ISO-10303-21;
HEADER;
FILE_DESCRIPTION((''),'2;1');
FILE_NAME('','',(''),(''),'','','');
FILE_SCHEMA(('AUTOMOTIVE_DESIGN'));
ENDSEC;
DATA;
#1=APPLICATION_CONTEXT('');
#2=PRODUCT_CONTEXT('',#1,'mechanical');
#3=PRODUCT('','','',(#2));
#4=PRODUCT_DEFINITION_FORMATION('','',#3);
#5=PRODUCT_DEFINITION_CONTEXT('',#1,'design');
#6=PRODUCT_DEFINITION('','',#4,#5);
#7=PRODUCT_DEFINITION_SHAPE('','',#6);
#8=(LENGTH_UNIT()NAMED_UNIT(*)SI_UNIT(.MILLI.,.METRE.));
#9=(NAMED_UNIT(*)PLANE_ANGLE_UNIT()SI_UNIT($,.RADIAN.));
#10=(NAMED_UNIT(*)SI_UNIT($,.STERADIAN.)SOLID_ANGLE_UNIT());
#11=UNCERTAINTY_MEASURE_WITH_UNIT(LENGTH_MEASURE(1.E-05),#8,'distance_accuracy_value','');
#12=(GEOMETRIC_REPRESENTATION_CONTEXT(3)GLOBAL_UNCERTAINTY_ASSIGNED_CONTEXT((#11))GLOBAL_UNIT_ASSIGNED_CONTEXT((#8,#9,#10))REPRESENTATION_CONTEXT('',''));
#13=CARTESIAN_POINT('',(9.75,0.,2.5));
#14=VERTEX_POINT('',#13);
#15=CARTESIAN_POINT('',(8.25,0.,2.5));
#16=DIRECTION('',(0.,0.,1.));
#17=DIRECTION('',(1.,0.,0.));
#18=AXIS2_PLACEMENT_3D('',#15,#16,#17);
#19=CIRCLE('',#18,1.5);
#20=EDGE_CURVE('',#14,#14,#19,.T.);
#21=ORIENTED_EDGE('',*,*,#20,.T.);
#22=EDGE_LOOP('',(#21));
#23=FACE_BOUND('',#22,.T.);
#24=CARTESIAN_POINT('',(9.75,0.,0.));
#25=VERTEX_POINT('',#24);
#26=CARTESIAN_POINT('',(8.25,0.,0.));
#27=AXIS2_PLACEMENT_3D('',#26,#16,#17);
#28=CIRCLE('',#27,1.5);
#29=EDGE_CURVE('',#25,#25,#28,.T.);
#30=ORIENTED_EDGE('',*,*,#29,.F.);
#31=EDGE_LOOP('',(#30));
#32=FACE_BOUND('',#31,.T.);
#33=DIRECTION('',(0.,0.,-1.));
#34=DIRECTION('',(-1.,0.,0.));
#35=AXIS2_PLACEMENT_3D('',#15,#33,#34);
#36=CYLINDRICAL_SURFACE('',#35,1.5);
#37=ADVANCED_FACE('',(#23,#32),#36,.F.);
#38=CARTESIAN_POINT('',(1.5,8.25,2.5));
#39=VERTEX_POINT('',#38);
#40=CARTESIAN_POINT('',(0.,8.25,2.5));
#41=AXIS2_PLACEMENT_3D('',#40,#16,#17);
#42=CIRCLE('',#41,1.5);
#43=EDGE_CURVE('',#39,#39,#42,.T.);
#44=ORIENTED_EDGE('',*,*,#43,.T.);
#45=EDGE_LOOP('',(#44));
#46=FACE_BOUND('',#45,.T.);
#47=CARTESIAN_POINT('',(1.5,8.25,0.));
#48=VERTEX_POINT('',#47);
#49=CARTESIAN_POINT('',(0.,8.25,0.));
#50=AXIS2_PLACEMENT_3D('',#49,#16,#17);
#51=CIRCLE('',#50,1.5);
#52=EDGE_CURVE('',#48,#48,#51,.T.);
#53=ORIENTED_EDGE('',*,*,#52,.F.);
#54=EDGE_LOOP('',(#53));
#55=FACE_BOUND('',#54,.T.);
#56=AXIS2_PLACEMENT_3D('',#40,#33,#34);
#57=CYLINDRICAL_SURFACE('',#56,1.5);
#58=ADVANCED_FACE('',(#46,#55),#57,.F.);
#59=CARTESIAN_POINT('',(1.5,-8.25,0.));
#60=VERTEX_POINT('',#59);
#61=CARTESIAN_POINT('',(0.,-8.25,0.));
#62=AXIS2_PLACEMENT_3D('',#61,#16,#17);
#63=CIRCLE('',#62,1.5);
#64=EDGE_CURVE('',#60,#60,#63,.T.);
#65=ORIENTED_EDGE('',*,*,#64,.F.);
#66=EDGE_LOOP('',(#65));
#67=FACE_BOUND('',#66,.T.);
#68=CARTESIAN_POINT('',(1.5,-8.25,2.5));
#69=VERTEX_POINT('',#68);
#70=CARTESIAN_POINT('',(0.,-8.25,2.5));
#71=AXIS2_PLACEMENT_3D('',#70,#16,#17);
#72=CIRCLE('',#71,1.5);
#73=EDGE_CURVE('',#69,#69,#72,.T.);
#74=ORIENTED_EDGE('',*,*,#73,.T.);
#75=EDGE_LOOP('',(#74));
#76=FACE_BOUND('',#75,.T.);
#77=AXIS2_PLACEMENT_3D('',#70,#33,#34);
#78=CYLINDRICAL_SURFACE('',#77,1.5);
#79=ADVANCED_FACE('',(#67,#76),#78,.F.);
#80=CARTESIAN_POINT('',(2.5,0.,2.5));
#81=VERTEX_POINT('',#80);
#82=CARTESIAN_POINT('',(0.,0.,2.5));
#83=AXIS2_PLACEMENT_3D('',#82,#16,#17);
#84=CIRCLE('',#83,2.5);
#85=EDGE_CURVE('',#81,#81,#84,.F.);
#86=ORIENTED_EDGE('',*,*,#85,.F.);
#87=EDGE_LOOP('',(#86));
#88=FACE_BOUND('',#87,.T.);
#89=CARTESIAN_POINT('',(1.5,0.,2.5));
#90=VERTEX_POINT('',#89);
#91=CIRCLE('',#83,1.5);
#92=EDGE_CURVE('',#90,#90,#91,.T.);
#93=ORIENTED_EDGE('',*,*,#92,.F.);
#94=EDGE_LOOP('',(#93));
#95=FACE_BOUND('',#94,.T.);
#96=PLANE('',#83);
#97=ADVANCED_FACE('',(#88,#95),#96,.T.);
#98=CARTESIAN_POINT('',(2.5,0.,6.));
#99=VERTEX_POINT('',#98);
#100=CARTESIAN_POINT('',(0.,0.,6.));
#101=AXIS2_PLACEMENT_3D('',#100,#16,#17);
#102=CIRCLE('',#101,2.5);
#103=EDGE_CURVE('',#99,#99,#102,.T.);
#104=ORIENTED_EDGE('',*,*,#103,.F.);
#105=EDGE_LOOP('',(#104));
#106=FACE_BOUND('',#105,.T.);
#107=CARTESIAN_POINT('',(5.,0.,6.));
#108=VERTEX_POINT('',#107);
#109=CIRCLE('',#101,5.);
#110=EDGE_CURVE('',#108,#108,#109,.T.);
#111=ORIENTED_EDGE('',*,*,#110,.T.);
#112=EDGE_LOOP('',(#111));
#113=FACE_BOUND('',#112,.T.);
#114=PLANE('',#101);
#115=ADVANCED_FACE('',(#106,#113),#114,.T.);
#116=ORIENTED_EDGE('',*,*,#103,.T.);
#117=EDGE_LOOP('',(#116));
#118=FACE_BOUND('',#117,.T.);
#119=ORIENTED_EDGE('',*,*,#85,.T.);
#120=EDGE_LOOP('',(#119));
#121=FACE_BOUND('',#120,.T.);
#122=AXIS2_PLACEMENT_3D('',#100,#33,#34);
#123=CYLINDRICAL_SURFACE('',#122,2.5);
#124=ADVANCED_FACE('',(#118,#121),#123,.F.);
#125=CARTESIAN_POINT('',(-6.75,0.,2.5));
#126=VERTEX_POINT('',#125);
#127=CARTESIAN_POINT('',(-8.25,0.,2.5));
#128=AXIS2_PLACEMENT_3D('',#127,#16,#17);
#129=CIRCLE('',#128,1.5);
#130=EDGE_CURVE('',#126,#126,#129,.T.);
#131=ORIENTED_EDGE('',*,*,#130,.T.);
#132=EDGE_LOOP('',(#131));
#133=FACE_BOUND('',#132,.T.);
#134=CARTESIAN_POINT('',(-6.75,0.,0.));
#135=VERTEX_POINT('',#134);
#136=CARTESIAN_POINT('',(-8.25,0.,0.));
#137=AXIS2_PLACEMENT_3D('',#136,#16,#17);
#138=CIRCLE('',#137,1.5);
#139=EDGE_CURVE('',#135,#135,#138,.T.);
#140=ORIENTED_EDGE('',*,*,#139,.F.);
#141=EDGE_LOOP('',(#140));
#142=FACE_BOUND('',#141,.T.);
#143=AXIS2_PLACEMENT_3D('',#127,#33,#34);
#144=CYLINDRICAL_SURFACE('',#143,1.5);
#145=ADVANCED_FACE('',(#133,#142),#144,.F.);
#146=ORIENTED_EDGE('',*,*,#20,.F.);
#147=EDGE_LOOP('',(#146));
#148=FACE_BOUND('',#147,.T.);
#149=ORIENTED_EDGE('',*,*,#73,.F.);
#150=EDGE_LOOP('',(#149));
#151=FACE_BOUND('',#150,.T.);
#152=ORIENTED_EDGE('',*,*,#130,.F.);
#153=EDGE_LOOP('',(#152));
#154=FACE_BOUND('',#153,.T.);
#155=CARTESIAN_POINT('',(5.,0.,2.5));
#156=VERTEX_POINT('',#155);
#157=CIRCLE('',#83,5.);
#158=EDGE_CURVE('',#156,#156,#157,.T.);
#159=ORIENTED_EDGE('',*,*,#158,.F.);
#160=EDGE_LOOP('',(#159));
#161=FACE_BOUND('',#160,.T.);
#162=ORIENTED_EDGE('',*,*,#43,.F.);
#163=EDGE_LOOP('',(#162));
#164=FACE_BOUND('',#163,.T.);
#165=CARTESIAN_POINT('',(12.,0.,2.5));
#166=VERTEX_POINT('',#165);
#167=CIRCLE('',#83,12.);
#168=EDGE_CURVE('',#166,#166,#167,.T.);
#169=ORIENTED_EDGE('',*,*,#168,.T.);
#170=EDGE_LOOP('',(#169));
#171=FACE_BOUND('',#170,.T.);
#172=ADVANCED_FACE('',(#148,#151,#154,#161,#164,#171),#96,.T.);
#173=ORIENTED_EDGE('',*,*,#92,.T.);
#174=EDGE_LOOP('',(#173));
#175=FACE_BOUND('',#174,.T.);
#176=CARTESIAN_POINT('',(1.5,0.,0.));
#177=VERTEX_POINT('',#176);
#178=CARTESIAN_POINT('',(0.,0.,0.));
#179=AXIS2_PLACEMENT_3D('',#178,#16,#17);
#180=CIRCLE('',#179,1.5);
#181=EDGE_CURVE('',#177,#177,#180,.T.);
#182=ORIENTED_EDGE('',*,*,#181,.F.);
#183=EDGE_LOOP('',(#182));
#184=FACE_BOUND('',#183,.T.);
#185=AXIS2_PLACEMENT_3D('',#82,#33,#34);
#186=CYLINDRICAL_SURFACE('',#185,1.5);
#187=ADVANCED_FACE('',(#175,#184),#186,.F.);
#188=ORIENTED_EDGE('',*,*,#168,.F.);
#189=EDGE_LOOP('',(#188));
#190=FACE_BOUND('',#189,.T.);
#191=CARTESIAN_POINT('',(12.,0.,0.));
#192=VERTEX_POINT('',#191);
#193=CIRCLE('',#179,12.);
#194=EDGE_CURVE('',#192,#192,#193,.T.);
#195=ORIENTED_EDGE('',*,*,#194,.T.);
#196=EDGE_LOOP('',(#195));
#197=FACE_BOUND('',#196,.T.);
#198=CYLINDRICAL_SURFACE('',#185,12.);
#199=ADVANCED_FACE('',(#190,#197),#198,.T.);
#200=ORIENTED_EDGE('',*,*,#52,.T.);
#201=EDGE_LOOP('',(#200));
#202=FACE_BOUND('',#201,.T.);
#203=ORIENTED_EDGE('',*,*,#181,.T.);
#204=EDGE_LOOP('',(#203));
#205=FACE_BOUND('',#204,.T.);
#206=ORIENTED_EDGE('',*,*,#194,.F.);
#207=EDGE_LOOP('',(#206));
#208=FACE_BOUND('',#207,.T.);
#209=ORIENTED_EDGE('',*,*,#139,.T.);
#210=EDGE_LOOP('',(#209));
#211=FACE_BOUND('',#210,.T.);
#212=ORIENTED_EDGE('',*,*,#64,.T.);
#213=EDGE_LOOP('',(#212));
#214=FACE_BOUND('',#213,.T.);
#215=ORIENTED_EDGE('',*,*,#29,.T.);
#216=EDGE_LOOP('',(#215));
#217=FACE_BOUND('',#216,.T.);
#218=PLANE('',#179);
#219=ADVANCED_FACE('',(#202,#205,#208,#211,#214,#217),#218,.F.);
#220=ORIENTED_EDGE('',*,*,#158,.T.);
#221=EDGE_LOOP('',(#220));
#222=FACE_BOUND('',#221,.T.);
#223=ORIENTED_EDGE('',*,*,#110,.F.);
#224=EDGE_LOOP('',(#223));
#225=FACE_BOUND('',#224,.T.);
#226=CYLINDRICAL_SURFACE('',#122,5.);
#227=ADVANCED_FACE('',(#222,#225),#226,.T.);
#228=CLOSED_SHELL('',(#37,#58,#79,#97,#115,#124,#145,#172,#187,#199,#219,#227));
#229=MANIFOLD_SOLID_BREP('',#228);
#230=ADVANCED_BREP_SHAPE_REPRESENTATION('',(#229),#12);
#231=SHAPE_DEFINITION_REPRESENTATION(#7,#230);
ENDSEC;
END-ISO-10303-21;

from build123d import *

# Parameters (mm, degrees)
SKETCH_1_R      = 12
SKETCH_1_R_2    = 1.5
EXTRUDE_1_DEPTH = 2.5
SKETCH_2_R      = 5
SKETCH_2_R_2    = 2.5
EXTRUDE_2_DEPTH = 3.5


with BuildPart() as part:
    # 草图1 → 凸台-拉伸1 (new body)
    with BuildSketch(Plane.XY):
        Circle(SKETCH_1_R)
        Circle(SKETCH_1_R_2, mode=Mode.SUBTRACT)
        with Locations((0, 8.25)):
            Circle(SKETCH_1_R_2, mode=Mode.SUBTRACT)
        with Locations((8.25, 0)):
            Circle(SKETCH_1_R_2, mode=Mode.SUBTRACT)
        with Locations((0, -8.25)):
            Circle(SKETCH_1_R_2, mode=Mode.SUBTRACT)
        with Locations((-8.25, 0)):
            Circle(SKETCH_1_R_2, mode=Mode.SUBTRACT)
    extrude(amount=EXTRUDE_1_DEPTH)

    # 草图2 → 凸台-拉伸2 (add)
    with BuildSketch(Plane.XY.offset(2.5)):
        Circle(SKETCH_2_R)
        Circle(SKETCH_2_R_2, mode=Mode.SUBTRACT)
    extrude(amount=EXTRUDE_2_DEPTH)


solid = part.part
